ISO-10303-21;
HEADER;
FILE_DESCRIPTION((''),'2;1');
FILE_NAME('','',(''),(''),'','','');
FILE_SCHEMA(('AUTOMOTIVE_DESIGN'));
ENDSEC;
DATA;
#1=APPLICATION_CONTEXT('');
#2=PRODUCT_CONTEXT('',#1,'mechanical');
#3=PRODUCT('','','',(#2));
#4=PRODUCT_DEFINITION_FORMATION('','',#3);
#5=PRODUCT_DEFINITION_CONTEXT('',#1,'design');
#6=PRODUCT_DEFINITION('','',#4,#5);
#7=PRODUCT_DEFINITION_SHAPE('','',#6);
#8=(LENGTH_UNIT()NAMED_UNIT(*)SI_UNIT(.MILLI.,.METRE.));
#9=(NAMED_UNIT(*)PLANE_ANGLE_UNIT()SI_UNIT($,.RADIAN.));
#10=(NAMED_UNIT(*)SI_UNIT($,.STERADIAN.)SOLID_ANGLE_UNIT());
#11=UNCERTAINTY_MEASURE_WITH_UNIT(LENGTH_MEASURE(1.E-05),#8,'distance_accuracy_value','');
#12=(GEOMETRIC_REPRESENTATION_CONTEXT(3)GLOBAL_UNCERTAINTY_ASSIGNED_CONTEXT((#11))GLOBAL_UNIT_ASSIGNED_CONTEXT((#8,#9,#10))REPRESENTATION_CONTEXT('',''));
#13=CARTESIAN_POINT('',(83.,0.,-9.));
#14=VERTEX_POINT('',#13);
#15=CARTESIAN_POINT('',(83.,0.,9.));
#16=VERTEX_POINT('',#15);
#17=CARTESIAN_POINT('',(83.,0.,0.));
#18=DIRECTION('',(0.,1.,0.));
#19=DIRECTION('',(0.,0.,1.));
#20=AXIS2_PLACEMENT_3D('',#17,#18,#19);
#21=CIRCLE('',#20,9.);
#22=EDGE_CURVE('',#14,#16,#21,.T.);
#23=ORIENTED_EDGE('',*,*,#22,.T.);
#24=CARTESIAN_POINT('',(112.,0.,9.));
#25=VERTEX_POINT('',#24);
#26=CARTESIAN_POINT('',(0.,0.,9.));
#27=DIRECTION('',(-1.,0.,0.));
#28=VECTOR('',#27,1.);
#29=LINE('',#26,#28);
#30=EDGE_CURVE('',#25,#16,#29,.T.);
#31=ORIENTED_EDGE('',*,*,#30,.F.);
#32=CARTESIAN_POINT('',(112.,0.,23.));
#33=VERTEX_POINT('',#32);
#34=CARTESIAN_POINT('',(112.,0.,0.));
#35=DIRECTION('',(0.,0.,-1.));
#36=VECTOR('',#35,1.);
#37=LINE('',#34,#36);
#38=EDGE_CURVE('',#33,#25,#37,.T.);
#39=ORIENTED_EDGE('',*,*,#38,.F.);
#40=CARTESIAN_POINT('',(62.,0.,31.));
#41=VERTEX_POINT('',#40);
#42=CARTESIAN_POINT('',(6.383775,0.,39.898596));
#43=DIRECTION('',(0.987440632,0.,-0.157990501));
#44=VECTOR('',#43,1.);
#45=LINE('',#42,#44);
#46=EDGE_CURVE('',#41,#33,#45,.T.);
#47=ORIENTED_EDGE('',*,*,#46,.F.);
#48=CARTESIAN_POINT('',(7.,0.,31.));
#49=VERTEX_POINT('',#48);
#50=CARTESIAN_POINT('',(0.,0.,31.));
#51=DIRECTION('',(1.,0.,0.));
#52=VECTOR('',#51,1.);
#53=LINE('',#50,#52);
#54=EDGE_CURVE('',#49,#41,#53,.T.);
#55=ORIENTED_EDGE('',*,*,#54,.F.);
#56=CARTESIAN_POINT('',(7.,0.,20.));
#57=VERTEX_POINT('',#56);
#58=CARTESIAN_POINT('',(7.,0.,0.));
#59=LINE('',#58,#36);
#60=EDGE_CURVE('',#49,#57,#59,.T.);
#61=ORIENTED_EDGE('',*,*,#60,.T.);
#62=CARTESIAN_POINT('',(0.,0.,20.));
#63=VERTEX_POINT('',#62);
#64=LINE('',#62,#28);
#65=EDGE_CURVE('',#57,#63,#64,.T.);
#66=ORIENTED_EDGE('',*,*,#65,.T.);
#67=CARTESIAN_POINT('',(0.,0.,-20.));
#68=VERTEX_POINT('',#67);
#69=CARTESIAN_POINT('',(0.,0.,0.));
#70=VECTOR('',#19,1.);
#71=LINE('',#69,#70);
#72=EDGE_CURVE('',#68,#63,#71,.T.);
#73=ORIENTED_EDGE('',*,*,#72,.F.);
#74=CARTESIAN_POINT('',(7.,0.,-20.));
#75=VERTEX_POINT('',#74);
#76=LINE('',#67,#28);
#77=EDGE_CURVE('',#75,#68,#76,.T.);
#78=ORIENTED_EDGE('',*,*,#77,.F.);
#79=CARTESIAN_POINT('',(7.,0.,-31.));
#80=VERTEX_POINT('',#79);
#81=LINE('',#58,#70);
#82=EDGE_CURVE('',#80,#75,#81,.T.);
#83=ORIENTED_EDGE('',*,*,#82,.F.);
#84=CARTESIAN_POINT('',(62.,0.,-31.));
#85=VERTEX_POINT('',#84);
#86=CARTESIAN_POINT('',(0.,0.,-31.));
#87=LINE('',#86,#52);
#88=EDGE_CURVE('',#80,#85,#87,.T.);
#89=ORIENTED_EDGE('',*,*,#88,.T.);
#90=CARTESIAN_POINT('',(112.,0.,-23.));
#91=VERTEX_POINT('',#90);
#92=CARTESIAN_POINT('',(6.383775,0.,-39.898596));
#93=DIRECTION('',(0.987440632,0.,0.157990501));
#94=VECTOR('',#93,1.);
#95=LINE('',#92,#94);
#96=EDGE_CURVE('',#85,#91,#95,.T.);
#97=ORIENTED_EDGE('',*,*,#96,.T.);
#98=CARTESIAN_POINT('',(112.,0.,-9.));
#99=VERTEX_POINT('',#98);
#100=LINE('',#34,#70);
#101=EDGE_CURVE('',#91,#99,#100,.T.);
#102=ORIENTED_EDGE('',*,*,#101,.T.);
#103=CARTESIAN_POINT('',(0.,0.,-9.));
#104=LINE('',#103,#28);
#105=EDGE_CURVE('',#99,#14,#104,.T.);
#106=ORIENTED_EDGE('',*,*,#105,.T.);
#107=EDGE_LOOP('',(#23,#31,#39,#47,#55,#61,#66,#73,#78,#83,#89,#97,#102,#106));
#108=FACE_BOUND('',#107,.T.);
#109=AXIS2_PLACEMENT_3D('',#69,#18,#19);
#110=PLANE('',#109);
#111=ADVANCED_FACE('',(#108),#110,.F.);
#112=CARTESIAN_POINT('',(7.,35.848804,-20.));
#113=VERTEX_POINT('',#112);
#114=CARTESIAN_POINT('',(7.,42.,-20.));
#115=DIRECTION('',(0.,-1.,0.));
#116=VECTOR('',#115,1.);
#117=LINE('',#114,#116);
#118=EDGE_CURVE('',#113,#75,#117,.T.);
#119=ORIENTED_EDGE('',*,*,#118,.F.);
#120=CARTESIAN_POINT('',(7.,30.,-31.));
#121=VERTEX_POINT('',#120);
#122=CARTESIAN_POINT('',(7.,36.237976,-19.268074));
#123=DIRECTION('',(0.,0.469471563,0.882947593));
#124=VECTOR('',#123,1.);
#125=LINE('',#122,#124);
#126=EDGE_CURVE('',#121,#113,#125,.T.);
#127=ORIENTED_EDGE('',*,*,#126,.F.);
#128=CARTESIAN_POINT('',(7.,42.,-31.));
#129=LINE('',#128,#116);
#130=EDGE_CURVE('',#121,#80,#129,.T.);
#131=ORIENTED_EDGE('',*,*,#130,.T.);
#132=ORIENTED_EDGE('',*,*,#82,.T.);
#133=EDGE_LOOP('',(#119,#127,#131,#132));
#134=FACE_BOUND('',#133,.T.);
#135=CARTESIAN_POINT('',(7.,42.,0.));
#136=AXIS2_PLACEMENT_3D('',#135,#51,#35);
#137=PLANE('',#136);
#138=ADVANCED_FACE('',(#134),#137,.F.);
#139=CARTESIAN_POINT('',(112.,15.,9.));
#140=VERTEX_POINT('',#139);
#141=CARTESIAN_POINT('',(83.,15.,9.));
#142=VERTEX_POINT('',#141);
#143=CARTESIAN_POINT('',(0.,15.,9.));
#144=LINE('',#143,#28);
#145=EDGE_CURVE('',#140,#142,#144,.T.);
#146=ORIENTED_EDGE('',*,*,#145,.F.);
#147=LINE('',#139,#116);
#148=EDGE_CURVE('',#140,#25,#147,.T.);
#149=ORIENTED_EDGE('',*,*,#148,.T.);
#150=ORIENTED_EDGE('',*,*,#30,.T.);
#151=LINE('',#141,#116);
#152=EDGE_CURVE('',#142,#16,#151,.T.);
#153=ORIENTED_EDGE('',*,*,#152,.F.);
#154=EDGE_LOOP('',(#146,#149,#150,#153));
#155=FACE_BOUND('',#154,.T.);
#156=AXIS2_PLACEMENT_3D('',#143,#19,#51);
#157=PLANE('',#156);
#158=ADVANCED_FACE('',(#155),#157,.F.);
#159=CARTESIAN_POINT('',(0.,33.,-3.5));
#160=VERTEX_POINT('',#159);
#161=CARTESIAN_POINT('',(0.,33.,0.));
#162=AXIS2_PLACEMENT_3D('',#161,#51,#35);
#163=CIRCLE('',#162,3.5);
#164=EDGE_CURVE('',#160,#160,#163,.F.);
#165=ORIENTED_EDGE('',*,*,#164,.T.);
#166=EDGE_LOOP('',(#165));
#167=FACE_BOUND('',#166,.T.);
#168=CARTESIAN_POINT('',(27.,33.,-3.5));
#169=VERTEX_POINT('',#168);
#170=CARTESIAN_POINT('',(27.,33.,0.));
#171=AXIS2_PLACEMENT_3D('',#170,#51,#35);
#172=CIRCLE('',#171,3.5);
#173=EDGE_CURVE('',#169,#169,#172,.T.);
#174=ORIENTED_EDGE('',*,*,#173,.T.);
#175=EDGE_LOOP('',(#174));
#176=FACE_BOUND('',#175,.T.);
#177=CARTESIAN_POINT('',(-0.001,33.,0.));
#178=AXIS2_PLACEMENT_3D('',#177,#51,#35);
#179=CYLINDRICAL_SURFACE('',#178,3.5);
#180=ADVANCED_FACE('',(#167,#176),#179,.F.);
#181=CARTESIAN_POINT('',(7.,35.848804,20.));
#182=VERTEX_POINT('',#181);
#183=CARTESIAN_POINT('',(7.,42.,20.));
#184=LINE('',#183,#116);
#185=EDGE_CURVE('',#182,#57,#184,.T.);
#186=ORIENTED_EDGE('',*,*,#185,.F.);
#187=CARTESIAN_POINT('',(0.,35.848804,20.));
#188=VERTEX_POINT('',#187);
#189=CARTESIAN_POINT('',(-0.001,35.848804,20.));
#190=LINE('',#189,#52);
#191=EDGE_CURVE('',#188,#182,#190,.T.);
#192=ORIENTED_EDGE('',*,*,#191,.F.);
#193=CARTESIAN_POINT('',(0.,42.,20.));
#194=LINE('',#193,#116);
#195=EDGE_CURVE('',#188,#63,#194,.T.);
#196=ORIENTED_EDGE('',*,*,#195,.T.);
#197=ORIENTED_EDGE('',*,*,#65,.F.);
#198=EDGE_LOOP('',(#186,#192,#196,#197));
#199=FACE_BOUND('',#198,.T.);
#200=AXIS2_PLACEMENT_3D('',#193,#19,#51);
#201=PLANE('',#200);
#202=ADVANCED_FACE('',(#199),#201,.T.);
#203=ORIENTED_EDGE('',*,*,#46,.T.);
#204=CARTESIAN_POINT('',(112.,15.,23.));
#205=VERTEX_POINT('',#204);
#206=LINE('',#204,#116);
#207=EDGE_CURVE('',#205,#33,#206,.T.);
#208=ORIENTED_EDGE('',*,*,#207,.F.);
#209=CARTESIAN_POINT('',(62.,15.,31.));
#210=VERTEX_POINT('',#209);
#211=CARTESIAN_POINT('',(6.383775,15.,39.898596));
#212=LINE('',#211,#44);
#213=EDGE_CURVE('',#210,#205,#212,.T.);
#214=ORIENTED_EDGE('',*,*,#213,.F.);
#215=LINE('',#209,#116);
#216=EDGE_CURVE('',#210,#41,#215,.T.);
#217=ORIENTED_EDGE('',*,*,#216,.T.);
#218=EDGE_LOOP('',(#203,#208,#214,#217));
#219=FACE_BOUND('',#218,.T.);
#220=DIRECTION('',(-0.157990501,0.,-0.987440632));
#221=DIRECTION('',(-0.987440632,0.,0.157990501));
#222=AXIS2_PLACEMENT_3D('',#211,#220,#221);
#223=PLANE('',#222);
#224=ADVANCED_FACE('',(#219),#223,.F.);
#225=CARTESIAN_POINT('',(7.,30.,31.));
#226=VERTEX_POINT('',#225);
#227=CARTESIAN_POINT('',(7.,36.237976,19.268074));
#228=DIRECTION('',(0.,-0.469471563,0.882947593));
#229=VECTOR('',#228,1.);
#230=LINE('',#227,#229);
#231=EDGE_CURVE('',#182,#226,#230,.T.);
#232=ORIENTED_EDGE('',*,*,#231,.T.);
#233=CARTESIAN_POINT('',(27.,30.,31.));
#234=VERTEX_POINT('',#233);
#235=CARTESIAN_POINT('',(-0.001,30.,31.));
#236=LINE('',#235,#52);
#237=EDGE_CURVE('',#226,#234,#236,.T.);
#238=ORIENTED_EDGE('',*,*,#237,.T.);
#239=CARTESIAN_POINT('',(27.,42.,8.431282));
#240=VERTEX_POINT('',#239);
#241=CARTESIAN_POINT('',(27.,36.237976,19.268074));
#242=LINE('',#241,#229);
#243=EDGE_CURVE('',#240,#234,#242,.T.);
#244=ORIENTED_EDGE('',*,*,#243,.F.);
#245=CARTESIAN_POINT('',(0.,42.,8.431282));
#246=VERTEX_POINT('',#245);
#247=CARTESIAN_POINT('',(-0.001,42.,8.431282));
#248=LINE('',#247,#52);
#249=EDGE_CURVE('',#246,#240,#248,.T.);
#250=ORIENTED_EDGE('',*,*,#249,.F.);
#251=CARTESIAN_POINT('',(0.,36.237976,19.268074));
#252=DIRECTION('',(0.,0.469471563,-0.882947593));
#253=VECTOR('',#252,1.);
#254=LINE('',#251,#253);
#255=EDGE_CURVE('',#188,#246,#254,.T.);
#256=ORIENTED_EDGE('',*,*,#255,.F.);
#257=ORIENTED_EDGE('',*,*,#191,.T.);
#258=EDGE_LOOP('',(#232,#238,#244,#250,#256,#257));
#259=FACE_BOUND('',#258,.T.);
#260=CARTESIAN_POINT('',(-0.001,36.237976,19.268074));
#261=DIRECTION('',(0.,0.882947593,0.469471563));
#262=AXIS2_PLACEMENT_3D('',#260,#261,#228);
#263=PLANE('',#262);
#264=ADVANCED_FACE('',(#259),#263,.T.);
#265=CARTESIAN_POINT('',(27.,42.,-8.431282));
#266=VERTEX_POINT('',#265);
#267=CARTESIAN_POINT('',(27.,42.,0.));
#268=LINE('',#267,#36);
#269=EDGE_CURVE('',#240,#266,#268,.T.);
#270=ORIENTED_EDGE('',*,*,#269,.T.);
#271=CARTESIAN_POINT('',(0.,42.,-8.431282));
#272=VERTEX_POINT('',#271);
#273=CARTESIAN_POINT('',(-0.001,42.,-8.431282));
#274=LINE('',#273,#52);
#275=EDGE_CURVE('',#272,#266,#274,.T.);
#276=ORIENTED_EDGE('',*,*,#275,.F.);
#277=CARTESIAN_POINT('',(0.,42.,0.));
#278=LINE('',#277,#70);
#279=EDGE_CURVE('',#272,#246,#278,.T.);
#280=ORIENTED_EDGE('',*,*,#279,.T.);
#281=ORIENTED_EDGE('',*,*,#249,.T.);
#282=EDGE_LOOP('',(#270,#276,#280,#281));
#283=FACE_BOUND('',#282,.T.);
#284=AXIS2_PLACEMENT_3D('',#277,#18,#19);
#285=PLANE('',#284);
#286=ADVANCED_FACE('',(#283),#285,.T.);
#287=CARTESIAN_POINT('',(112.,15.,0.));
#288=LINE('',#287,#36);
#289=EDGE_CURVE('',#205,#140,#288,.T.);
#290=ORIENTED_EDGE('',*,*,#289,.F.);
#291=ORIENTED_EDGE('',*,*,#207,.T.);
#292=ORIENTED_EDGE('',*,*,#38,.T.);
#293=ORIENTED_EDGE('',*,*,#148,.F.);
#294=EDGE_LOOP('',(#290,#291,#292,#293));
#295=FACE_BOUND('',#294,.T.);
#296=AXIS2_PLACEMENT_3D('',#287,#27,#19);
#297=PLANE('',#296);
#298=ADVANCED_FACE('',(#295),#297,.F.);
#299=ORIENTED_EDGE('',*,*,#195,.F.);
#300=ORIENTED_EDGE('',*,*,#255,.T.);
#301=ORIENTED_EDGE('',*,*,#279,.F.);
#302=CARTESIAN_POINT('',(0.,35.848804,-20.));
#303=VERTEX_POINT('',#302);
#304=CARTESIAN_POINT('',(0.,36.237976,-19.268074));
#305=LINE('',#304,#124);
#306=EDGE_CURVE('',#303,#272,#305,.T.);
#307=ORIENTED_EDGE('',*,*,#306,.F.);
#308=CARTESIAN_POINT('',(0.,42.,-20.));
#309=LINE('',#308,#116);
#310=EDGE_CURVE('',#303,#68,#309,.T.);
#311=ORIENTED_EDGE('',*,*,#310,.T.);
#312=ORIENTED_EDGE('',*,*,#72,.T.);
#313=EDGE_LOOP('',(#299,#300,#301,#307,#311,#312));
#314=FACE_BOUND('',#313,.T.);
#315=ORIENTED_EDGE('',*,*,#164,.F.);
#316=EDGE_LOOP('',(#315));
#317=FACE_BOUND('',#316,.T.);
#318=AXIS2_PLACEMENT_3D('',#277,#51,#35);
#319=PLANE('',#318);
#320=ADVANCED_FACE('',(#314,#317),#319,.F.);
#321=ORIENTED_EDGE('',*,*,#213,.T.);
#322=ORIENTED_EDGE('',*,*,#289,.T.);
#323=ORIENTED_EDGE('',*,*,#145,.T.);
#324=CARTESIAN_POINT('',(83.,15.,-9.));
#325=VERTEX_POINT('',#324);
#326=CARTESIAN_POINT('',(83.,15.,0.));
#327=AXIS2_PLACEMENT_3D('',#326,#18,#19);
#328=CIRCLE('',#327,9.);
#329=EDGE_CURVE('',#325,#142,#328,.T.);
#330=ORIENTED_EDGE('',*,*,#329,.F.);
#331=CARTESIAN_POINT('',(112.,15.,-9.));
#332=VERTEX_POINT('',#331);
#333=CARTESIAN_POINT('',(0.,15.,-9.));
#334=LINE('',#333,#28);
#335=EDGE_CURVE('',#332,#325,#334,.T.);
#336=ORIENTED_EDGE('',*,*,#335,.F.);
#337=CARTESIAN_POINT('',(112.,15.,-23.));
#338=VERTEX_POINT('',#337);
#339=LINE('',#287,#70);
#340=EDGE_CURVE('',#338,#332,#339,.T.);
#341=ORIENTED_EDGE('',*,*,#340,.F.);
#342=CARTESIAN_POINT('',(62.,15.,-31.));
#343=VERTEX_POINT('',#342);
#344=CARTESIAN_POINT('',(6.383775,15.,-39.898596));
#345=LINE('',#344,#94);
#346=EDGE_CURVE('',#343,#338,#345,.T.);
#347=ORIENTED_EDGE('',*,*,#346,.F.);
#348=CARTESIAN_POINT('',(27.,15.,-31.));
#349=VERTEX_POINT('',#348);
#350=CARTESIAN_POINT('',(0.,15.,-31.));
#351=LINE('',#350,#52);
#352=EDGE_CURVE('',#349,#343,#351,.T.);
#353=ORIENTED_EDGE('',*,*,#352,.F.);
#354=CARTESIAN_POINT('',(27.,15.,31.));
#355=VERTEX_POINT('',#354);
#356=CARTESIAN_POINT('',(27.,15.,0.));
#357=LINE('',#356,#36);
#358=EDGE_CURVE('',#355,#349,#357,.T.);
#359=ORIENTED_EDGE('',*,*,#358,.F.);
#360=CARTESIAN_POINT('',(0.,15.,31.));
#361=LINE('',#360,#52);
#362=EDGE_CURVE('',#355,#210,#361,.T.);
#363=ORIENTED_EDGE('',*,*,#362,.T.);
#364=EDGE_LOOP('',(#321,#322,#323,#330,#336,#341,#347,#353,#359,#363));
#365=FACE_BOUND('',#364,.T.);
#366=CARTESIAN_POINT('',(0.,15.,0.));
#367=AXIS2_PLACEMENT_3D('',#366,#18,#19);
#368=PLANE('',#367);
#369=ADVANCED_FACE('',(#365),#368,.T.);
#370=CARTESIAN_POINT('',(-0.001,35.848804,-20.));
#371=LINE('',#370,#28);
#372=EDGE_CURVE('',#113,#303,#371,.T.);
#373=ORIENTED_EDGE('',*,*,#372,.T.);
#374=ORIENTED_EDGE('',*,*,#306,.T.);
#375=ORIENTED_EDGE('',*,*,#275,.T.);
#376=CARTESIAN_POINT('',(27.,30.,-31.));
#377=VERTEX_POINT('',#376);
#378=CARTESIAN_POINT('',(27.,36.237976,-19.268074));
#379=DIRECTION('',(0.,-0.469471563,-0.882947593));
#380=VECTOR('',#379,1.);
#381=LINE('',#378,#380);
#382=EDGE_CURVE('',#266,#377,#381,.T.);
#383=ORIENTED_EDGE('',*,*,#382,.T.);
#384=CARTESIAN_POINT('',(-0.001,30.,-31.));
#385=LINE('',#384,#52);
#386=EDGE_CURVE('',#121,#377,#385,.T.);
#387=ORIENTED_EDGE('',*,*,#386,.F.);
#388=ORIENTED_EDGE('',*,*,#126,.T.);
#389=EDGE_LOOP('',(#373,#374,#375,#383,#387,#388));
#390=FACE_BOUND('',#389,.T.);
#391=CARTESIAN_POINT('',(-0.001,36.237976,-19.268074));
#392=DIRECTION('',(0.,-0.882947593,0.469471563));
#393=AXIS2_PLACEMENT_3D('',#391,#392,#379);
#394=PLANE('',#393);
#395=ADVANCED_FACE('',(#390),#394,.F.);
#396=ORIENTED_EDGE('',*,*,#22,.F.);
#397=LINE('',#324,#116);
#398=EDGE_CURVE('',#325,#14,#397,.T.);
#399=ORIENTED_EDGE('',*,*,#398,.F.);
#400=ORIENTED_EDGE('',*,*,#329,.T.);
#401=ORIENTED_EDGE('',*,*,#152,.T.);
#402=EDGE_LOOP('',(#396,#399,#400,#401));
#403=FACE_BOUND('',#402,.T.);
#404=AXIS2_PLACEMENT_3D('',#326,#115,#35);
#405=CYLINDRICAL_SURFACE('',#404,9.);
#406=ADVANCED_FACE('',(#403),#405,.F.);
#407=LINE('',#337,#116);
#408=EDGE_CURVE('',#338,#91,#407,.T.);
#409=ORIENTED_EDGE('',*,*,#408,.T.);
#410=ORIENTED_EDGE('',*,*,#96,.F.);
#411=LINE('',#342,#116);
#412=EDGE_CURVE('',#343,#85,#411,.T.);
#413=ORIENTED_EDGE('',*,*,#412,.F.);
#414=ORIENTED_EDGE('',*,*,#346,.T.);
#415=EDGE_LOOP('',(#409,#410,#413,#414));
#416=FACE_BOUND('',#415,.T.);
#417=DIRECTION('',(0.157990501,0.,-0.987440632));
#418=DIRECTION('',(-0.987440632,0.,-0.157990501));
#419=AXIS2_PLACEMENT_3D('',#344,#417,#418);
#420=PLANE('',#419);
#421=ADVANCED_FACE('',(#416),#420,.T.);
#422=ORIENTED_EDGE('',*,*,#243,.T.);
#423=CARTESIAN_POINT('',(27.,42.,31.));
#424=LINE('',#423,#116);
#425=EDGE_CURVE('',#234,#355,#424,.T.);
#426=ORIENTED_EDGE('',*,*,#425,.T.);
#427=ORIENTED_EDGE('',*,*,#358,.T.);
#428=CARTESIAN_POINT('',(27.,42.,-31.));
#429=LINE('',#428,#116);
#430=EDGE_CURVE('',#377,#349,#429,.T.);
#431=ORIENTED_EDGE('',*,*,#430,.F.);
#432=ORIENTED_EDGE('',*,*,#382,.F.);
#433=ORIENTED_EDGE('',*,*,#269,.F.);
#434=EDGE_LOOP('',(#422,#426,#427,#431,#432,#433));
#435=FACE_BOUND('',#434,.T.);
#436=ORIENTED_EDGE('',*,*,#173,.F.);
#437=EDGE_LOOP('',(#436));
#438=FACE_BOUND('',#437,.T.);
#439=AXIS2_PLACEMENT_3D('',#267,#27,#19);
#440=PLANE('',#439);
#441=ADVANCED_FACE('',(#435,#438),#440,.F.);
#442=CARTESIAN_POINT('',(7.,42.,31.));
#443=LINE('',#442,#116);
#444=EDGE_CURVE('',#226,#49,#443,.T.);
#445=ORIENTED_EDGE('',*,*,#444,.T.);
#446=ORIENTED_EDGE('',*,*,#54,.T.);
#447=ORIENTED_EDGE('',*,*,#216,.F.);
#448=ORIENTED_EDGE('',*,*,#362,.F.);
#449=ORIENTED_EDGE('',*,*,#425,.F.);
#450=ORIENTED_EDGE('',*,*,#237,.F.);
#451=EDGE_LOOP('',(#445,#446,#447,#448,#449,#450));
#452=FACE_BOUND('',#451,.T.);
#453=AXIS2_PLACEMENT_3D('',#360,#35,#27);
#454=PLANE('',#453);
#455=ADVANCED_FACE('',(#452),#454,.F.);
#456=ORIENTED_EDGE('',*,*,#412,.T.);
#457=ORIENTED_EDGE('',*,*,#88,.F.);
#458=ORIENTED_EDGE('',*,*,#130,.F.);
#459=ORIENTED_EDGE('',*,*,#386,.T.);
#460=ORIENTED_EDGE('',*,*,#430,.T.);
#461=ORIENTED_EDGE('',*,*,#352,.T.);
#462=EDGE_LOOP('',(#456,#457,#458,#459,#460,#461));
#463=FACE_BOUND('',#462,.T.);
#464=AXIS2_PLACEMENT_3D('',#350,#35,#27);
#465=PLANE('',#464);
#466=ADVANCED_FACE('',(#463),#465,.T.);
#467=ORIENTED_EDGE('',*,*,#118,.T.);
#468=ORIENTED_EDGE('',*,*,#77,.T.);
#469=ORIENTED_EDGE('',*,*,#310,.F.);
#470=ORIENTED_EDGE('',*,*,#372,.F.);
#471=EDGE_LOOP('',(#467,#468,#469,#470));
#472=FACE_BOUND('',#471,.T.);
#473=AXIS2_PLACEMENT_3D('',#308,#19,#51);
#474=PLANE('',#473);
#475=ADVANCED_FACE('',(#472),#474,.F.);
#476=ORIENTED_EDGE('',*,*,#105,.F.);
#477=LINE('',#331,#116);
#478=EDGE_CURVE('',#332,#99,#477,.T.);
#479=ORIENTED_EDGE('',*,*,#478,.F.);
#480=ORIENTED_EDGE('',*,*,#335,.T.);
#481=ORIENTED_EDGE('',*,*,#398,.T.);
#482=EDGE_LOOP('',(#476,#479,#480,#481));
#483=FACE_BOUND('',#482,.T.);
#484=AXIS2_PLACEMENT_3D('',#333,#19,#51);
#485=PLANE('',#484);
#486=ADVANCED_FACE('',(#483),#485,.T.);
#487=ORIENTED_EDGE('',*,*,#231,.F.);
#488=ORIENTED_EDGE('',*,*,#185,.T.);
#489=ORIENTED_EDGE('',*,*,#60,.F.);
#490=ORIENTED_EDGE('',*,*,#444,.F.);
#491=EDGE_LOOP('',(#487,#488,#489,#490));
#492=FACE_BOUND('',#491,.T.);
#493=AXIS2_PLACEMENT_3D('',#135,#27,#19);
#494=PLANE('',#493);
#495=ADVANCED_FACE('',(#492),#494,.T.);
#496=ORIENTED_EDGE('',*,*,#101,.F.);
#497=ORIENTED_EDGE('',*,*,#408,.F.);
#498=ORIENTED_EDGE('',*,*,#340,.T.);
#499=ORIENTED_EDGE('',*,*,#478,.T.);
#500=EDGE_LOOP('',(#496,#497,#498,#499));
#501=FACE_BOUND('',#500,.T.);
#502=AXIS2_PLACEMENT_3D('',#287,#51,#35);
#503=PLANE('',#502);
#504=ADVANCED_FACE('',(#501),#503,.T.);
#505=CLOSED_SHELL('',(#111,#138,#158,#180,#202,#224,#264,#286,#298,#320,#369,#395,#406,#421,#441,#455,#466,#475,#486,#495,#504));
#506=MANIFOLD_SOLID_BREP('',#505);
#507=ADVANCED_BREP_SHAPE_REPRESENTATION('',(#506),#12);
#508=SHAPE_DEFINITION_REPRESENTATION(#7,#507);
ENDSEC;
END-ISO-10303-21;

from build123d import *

# Parameters (mm, degrees)
BOSS_EXTRUDE1_DEPTH = 15
BOSS_EXTRUDE2_DEPTH = 42
CUT_EXTRUDE1_REACH  = 101.75
SKETCH2_R           = 3.5


with BuildPart() as part:
    # Sketch1 → Boss-Extrude1 (new body)
    with BuildSketch(Plane(origin=(0, 0, 0), x_dir=(1, 0, 0), z_dir=(0, 1, 0))):
        with BuildLine():
            ThreePointArc((83, -9), (74, 0), (83, 9))
            Line((83, 9), (112, 9))
            Line((112, 9), (112, 23))
            Line((112, 23), (62, 31))
            Line((62, 31), (27, 31))
            Line((27, 31), (27, -31))
            Line((27, -31), (62, -31))
            Line((62, -31), (112, -23))
            Line((112, -23), (112, -9))
            Line((112, -9), (83, -9))
        make_face()
    extrude(amount=BOSS_EXTRUDE1_DEPTH)

    # Sketch1<3> → Boss-Extrude2 (add)
    with BuildSketch(Plane(origin=(0, 0, 0), x_dir=(1, 0, 0), z_dir=(0, 1, 0))):
        Polygon((7, 20), (0, 20), (0, -20), (7, -20), (7, -31), (27, -31), (27, 31), (7, 31), align=None)
    extrude(amount=BOSS_EXTRUDE2_DEPTH)

    # Sketch2 → Cut-Extrude1 (cut, up to next)
    with BuildSketch(Plane(origin=(27, 0, 0), x_dir=(0, 0, -1), z_dir=(1, 0, 0)), mode=Mode.PRIVATE) as cut_extrude1_sk1:
        Polygon((31, 42), (8.431282416, 42), (31, 30), align=None)
    cut_extrude1_tool1 = extrude(cut_extrude1_sk1.sketch, amount=-CUT_EXTRUDE1_REACH, mode=Mode.PRIVATE) & part.part
    # Sketch2 → Cut-Extrude1 (cut, up to next)
    with BuildSketch(Plane(origin=(27, 0, 0), x_dir=(0, 0, -1), z_dir=(1, 0, 0)), mode=Mode.PRIVATE) as cut_extrude1_sk2:
        Polygon((-31, 30), (-8.431282416, 42), (-31, 42), align=None)
    cut_extrude1_tool2 = extrude(cut_extrude1_sk2.sketch, amount=-CUT_EXTRUDE1_REACH, mode=Mode.PRIVATE) & part.part
    # Sketch2 → Cut-Extrude1 (cut, up to next)
    with BuildSketch(Plane(origin=(27, 0, 0), x_dir=(0, 0, -1), z_dir=(1, 0, 0)), mode=Mode.PRIVATE) as cut_extrude1_sk3:
        with Locations((0, 33)):
            Circle(SKETCH2_R)
    cut_extrude1_tool3 = extrude(cut_extrude1_sk3.sketch, amount=-CUT_EXTRUDE1_REACH, mode=Mode.PRIVATE) & part.part
    add(cut_extrude1_tool1.solids().sort_by_distance((27, 38, -23.477094))[0], mode=Mode.SUBTRACT)
    add(cut_extrude1_tool2.solids().sort_by_distance((27, 38, 23.477094))[0], mode=Mode.SUBTRACT)
    add(cut_extrude1_tool3.solids().sort_by_distance((27, 33, 0))[0], mode=Mode.SUBTRACT)


solid = part.part
